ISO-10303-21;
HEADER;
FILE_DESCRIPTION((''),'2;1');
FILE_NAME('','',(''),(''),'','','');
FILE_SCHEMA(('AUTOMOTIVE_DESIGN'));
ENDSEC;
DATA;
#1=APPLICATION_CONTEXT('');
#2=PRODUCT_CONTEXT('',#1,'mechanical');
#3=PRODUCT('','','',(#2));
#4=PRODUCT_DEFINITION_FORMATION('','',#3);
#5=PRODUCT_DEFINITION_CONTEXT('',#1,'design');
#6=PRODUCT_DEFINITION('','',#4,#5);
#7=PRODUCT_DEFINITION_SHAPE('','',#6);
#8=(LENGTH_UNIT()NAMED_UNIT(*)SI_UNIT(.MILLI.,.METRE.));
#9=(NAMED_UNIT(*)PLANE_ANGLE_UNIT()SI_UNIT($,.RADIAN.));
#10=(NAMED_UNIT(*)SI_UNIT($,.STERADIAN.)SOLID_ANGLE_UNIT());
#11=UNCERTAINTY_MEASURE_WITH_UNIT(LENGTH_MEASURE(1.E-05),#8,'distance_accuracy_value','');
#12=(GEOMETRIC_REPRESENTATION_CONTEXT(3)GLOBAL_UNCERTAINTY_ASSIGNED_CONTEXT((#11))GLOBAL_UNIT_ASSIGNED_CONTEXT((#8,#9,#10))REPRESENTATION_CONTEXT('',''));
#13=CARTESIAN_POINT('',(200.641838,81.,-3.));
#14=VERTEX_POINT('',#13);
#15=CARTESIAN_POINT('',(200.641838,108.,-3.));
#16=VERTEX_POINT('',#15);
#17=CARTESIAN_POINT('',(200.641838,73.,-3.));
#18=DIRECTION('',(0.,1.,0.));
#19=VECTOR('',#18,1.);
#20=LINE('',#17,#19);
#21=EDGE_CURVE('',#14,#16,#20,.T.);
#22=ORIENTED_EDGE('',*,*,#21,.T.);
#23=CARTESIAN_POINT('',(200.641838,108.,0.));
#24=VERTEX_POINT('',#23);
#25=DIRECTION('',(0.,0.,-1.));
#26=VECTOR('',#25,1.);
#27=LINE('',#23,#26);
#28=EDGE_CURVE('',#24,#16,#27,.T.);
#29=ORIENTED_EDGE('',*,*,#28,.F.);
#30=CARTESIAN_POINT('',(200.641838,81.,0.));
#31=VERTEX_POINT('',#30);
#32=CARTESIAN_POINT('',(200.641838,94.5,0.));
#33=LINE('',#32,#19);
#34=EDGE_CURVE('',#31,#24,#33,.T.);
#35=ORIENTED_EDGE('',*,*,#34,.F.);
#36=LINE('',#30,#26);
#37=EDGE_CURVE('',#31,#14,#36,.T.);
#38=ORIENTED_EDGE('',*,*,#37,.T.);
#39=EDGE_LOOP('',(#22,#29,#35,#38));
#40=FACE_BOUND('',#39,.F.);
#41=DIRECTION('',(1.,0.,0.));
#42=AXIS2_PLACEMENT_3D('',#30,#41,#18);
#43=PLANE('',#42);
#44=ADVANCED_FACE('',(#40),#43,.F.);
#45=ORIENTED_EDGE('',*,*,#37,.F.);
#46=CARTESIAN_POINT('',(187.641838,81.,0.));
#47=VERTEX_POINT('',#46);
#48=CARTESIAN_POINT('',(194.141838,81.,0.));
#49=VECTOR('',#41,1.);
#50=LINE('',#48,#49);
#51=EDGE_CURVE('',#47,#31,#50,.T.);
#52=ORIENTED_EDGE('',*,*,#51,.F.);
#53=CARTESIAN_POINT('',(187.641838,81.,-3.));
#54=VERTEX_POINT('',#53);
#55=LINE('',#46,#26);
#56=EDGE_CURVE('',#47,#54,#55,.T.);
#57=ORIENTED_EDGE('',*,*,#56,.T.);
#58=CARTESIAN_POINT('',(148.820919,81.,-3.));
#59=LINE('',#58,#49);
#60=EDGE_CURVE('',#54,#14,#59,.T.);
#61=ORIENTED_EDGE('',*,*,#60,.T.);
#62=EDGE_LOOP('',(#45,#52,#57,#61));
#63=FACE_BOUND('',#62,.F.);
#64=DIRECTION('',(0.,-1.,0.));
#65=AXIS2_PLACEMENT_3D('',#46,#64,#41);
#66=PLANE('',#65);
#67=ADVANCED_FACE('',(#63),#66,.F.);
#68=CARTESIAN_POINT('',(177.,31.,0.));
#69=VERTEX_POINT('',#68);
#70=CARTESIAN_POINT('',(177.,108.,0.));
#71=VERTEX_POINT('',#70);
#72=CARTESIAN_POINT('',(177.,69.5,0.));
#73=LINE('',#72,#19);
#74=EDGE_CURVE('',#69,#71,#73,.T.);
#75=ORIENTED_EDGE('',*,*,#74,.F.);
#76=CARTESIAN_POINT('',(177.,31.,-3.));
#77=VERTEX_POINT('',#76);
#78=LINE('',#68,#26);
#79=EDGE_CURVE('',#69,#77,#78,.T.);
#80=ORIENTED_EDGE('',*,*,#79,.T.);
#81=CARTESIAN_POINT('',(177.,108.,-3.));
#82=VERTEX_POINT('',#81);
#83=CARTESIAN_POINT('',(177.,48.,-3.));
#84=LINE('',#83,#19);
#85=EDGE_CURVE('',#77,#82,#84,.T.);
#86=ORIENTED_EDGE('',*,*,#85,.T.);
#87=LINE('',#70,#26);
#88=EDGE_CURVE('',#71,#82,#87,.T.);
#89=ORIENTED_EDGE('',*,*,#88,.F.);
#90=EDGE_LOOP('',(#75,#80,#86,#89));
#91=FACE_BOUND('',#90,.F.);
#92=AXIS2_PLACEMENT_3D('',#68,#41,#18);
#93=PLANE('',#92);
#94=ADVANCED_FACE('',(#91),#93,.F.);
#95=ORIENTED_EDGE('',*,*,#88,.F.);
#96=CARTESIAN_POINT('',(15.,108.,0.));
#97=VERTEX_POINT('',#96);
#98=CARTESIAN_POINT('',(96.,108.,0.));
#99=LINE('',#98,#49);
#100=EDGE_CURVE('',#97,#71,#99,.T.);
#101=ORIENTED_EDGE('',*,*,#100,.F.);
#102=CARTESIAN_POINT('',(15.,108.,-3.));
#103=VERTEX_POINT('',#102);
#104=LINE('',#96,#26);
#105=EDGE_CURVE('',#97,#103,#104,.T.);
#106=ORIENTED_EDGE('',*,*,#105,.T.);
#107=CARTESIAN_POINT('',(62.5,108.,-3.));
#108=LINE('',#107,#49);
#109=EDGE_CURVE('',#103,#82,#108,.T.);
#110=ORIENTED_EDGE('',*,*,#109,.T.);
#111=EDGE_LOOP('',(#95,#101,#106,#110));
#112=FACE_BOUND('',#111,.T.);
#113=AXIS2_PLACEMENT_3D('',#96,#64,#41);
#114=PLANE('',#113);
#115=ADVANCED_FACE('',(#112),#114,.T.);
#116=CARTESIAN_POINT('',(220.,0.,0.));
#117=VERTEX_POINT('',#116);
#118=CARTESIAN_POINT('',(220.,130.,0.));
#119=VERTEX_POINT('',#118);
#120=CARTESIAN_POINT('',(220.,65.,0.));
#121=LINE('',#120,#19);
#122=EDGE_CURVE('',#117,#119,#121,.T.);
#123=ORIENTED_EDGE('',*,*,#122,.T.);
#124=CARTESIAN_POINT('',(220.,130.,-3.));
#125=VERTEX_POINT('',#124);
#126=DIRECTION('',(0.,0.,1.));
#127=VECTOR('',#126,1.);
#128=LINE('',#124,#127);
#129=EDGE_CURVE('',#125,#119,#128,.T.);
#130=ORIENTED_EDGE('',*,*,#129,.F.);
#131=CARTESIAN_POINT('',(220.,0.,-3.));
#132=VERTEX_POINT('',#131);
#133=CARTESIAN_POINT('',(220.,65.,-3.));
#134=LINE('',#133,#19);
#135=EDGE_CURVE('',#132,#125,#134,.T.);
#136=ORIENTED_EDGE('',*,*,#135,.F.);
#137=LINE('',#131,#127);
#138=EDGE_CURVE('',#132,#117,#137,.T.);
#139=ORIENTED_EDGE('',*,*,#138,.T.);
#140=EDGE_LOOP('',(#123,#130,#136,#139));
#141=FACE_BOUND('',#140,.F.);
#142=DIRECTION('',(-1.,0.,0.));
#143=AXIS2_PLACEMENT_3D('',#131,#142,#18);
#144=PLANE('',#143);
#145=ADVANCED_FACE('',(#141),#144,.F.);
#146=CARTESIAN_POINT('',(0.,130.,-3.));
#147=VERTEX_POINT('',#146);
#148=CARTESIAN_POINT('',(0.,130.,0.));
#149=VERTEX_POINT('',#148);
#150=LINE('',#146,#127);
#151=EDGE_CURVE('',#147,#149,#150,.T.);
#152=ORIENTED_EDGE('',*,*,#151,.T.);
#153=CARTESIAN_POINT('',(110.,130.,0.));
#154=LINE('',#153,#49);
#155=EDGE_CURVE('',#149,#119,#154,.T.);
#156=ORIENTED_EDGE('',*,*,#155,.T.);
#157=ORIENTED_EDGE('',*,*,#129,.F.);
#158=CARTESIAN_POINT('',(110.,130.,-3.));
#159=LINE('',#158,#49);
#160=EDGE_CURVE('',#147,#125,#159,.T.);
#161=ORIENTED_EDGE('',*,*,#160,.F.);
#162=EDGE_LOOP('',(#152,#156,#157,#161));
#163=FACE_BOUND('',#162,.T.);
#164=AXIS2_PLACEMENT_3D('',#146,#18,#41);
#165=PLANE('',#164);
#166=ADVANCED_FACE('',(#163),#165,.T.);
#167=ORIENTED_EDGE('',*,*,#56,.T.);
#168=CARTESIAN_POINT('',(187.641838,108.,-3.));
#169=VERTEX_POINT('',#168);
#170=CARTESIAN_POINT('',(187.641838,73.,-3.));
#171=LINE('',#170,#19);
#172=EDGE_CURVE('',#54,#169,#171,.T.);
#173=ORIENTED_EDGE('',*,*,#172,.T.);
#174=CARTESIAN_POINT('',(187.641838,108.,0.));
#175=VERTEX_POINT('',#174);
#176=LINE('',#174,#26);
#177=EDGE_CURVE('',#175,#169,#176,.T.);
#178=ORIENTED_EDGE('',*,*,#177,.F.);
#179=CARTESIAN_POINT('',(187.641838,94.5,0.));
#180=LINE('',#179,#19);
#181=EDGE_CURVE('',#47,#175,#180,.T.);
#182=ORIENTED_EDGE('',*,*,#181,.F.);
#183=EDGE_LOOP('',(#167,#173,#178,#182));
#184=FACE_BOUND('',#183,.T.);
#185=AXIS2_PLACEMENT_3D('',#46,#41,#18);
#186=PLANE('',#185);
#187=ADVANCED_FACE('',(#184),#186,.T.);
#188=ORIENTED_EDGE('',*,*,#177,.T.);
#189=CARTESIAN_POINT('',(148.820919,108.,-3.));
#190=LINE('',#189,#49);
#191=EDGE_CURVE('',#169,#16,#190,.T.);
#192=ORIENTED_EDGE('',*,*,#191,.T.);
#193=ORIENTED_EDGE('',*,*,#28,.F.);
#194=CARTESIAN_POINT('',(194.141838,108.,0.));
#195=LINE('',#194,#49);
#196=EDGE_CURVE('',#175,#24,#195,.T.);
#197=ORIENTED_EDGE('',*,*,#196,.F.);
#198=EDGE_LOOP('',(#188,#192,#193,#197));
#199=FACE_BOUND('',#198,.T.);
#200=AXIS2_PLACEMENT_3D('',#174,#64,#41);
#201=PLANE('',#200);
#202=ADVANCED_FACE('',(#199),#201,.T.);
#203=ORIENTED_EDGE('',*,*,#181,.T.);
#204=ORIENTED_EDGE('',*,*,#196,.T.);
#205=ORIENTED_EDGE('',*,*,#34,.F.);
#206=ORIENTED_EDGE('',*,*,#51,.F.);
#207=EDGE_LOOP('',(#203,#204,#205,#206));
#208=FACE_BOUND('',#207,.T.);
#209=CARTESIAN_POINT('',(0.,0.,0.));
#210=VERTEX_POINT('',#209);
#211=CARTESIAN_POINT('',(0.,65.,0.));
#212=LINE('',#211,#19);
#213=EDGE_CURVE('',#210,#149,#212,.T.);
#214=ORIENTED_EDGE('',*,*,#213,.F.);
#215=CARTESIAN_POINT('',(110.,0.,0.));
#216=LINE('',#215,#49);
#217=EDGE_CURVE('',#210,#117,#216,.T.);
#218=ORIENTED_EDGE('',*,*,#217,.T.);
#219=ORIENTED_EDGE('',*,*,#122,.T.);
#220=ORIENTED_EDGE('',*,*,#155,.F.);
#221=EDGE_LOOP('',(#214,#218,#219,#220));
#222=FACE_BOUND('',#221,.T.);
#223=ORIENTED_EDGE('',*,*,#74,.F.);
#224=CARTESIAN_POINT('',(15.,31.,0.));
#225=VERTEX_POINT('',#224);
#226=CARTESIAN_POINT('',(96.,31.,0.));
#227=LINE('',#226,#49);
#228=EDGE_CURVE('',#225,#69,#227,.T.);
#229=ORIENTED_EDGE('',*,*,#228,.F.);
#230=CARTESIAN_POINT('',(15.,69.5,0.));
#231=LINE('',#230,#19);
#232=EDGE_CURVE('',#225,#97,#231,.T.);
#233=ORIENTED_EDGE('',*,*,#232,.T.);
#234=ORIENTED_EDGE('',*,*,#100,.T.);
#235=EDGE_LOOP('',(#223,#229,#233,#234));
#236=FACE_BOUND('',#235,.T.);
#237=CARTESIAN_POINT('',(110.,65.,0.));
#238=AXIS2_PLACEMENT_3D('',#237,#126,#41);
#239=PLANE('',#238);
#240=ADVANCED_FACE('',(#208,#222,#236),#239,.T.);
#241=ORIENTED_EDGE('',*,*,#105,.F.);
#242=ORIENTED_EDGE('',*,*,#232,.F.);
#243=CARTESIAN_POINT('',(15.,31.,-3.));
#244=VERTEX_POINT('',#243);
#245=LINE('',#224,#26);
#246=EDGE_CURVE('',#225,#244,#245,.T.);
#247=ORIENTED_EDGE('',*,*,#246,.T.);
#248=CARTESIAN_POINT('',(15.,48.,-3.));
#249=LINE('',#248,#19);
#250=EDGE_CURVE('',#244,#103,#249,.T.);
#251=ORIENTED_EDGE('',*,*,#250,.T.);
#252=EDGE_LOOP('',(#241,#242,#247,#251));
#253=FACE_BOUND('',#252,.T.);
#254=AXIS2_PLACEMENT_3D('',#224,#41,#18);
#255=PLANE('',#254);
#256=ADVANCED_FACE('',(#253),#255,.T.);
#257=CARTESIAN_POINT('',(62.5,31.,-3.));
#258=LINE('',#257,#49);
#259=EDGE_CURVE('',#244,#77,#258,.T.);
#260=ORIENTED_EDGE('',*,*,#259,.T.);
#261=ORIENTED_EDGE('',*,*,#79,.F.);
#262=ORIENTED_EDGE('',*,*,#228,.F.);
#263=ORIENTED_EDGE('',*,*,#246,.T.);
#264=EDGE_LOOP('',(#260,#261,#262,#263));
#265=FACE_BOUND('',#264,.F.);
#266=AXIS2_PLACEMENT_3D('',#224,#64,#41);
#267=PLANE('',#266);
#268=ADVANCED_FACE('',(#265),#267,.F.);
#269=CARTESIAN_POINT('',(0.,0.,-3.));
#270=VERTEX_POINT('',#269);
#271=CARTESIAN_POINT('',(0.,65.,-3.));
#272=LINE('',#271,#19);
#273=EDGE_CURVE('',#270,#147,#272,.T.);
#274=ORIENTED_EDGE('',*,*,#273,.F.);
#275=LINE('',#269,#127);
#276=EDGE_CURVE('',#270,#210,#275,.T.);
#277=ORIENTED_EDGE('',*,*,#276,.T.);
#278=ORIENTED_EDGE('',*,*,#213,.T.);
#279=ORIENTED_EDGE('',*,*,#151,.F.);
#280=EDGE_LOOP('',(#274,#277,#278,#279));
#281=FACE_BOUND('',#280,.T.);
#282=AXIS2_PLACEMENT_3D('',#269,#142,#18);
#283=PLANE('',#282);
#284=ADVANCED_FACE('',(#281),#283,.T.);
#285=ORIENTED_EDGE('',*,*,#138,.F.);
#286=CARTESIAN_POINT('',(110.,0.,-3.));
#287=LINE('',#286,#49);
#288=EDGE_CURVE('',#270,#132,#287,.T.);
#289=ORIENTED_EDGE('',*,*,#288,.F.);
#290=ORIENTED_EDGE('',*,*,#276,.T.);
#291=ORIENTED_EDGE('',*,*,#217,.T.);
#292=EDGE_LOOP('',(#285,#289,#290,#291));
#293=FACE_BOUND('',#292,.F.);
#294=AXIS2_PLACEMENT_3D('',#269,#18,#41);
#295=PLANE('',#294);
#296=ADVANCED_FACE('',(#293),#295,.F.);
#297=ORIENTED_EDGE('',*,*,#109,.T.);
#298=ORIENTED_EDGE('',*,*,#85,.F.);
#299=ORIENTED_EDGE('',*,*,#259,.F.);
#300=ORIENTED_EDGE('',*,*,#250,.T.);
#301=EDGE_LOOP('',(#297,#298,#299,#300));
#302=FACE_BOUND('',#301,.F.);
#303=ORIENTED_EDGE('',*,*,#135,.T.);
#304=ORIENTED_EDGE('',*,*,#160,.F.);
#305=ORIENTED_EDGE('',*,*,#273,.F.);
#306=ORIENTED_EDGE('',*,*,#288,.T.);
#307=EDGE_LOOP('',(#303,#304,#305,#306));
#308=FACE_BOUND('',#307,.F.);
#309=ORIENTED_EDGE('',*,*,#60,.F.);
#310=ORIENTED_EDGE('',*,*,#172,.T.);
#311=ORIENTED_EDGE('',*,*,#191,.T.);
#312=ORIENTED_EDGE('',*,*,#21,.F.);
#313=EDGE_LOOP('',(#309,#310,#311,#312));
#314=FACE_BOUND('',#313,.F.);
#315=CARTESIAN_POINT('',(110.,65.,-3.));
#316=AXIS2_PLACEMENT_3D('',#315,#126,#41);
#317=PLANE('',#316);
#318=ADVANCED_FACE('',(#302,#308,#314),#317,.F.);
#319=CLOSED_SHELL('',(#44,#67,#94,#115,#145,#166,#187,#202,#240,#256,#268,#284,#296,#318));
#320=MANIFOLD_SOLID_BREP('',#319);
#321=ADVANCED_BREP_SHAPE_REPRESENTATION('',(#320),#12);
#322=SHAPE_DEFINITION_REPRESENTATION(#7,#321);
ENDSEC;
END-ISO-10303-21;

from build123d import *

# Parameters (mm, degrees)
SKETCH_W              = 220
SKETCH_H              = 130
PAD_DEPTH             = 3
SKETCH001_W           = 162
SKETCH001_H           = 77
POCKET_DEPTH          = 3.001
SKETCH002_W           = 13
SKETCH002_H           = 27
POCKET001_DEPTH       = 3.001
BODY_PLACEMENT_ANGLE  = 340
CLONE_PLACEMENT_ANGLE = 340


with BuildPart() as part:
    # Sketch → Pad (new body)
    with BuildSketch(Plane.XY):
        Rectangle(SKETCH_W, SKETCH_H)
    extrude(amount=PAD_DEPTH)

    # Sketch001 (on Face6 of Pad) → Pocket (cut, through all)
    with BuildSketch(Plane.XY.offset(3)):
        with Locations((-14, 4.5)):
            Rectangle(SKETCH001_W, SKETCH001_H)
    extrude(amount=-POCKET_DEPTH, mode=Mode.SUBTRACT)

    # Sketch002 (on Face5 of Pocket) → Pocket001 (cut, through all)
    with BuildSketch(Plane.XY.offset(3)):
        with Locations((84.141838, 29.5)):
            Rectangle(SKETCH002_W, SKETCH002_H)
    extrude(amount=-POCKET001_DEPTH, mode=Mode.SUBTRACT)


with BuildPart() as part_1:
    # Body placement: moved
    add(part.part.rotate(Axis((0, 0, 0), (1, 0, 0)), BODY_PLACEMENT_ANGLE))


with BuildPart() as part_2:
    # Clone placement: moved
    add(part_1.part.moved(Location((110, 65, -3))).rotate(Axis((110, 65, -3), (-1, 0, 0)), CLONE_PLACEMENT_ANGLE))


solid = part_2.part
